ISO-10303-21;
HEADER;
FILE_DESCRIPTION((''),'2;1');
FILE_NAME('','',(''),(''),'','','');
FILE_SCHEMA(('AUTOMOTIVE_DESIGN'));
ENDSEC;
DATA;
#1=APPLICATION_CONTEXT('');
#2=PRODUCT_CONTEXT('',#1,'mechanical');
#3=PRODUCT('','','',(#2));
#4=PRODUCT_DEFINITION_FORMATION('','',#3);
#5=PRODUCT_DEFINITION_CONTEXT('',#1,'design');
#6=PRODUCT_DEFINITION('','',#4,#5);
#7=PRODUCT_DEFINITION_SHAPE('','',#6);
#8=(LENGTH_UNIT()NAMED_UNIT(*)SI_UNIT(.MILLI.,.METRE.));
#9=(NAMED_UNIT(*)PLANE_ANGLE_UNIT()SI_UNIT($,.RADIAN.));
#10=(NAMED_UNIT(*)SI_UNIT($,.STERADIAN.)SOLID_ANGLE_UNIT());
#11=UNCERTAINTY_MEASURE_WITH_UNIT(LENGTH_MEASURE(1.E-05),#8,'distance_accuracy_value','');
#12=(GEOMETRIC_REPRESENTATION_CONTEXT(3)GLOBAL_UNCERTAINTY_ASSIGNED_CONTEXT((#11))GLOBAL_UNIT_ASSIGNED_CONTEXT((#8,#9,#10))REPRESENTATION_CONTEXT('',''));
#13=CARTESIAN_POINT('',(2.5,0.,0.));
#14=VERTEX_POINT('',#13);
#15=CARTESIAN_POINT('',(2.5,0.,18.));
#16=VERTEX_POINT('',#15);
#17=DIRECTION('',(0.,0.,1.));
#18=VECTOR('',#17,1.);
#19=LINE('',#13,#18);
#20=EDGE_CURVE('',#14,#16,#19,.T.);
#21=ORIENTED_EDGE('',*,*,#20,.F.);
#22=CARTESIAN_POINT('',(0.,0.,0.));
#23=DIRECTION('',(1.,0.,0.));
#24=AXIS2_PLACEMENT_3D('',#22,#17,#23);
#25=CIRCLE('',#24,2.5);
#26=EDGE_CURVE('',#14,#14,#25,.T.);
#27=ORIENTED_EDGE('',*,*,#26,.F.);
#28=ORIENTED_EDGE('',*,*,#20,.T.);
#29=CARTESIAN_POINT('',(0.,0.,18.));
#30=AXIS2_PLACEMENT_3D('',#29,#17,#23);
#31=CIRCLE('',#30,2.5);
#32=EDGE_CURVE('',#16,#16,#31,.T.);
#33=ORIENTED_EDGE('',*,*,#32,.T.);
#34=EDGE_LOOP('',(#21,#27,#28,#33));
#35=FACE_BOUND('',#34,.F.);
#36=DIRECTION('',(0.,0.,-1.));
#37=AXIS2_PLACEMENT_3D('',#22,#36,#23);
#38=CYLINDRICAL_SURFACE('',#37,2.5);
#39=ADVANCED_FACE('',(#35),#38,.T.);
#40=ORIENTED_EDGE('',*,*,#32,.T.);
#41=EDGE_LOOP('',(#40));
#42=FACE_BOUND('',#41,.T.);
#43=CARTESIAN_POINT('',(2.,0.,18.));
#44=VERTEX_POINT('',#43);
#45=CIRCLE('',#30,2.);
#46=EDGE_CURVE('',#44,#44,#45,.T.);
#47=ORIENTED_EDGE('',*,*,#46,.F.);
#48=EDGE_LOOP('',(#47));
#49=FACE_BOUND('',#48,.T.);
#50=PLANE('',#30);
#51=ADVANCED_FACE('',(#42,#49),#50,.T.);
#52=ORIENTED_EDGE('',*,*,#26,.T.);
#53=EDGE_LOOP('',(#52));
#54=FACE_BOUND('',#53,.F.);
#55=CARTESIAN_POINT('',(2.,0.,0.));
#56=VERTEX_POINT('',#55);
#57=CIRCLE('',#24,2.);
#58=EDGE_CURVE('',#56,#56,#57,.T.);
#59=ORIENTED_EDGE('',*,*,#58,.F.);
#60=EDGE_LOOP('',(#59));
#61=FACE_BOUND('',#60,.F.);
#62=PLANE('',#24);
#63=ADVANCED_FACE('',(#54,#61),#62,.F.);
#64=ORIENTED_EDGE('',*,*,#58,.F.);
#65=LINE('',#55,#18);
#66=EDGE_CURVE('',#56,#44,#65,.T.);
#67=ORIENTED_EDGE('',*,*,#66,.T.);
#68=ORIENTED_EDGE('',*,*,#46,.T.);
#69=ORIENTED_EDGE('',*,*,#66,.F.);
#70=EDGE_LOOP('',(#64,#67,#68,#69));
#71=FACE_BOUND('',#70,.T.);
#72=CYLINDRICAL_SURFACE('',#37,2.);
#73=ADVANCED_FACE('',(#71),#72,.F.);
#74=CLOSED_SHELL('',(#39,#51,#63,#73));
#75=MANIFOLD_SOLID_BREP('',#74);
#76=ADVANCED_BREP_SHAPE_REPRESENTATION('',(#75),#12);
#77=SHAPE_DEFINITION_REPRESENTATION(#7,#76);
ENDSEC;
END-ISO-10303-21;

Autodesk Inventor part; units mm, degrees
ref_plane "YZ Plane" through (0, 0, 0) normal (1, 0, 0) x (0, 1, 0)
ref_plane "XZ Plane" through (0, 0, 0) normal (0, 1, 0) x (-1, 0, 0)
ref_plane "XY Plane" through (0, 0, 0) normal (0, 0, 1) x (1, 0, 0)
sketch "Sketch1" plane through (0, 0, 0) normal (0, 0, 1) x (1, 0, 0)
  circle A0 centre (0, 0) radius 2.5
  circle A1 centre (0, 0) radius 2
  dimension "d0" = 5
  dimension "d1" = 4
extrude "Extrusion1" add sketch "Sketch1" along normal blind 18
properties part number "04"
